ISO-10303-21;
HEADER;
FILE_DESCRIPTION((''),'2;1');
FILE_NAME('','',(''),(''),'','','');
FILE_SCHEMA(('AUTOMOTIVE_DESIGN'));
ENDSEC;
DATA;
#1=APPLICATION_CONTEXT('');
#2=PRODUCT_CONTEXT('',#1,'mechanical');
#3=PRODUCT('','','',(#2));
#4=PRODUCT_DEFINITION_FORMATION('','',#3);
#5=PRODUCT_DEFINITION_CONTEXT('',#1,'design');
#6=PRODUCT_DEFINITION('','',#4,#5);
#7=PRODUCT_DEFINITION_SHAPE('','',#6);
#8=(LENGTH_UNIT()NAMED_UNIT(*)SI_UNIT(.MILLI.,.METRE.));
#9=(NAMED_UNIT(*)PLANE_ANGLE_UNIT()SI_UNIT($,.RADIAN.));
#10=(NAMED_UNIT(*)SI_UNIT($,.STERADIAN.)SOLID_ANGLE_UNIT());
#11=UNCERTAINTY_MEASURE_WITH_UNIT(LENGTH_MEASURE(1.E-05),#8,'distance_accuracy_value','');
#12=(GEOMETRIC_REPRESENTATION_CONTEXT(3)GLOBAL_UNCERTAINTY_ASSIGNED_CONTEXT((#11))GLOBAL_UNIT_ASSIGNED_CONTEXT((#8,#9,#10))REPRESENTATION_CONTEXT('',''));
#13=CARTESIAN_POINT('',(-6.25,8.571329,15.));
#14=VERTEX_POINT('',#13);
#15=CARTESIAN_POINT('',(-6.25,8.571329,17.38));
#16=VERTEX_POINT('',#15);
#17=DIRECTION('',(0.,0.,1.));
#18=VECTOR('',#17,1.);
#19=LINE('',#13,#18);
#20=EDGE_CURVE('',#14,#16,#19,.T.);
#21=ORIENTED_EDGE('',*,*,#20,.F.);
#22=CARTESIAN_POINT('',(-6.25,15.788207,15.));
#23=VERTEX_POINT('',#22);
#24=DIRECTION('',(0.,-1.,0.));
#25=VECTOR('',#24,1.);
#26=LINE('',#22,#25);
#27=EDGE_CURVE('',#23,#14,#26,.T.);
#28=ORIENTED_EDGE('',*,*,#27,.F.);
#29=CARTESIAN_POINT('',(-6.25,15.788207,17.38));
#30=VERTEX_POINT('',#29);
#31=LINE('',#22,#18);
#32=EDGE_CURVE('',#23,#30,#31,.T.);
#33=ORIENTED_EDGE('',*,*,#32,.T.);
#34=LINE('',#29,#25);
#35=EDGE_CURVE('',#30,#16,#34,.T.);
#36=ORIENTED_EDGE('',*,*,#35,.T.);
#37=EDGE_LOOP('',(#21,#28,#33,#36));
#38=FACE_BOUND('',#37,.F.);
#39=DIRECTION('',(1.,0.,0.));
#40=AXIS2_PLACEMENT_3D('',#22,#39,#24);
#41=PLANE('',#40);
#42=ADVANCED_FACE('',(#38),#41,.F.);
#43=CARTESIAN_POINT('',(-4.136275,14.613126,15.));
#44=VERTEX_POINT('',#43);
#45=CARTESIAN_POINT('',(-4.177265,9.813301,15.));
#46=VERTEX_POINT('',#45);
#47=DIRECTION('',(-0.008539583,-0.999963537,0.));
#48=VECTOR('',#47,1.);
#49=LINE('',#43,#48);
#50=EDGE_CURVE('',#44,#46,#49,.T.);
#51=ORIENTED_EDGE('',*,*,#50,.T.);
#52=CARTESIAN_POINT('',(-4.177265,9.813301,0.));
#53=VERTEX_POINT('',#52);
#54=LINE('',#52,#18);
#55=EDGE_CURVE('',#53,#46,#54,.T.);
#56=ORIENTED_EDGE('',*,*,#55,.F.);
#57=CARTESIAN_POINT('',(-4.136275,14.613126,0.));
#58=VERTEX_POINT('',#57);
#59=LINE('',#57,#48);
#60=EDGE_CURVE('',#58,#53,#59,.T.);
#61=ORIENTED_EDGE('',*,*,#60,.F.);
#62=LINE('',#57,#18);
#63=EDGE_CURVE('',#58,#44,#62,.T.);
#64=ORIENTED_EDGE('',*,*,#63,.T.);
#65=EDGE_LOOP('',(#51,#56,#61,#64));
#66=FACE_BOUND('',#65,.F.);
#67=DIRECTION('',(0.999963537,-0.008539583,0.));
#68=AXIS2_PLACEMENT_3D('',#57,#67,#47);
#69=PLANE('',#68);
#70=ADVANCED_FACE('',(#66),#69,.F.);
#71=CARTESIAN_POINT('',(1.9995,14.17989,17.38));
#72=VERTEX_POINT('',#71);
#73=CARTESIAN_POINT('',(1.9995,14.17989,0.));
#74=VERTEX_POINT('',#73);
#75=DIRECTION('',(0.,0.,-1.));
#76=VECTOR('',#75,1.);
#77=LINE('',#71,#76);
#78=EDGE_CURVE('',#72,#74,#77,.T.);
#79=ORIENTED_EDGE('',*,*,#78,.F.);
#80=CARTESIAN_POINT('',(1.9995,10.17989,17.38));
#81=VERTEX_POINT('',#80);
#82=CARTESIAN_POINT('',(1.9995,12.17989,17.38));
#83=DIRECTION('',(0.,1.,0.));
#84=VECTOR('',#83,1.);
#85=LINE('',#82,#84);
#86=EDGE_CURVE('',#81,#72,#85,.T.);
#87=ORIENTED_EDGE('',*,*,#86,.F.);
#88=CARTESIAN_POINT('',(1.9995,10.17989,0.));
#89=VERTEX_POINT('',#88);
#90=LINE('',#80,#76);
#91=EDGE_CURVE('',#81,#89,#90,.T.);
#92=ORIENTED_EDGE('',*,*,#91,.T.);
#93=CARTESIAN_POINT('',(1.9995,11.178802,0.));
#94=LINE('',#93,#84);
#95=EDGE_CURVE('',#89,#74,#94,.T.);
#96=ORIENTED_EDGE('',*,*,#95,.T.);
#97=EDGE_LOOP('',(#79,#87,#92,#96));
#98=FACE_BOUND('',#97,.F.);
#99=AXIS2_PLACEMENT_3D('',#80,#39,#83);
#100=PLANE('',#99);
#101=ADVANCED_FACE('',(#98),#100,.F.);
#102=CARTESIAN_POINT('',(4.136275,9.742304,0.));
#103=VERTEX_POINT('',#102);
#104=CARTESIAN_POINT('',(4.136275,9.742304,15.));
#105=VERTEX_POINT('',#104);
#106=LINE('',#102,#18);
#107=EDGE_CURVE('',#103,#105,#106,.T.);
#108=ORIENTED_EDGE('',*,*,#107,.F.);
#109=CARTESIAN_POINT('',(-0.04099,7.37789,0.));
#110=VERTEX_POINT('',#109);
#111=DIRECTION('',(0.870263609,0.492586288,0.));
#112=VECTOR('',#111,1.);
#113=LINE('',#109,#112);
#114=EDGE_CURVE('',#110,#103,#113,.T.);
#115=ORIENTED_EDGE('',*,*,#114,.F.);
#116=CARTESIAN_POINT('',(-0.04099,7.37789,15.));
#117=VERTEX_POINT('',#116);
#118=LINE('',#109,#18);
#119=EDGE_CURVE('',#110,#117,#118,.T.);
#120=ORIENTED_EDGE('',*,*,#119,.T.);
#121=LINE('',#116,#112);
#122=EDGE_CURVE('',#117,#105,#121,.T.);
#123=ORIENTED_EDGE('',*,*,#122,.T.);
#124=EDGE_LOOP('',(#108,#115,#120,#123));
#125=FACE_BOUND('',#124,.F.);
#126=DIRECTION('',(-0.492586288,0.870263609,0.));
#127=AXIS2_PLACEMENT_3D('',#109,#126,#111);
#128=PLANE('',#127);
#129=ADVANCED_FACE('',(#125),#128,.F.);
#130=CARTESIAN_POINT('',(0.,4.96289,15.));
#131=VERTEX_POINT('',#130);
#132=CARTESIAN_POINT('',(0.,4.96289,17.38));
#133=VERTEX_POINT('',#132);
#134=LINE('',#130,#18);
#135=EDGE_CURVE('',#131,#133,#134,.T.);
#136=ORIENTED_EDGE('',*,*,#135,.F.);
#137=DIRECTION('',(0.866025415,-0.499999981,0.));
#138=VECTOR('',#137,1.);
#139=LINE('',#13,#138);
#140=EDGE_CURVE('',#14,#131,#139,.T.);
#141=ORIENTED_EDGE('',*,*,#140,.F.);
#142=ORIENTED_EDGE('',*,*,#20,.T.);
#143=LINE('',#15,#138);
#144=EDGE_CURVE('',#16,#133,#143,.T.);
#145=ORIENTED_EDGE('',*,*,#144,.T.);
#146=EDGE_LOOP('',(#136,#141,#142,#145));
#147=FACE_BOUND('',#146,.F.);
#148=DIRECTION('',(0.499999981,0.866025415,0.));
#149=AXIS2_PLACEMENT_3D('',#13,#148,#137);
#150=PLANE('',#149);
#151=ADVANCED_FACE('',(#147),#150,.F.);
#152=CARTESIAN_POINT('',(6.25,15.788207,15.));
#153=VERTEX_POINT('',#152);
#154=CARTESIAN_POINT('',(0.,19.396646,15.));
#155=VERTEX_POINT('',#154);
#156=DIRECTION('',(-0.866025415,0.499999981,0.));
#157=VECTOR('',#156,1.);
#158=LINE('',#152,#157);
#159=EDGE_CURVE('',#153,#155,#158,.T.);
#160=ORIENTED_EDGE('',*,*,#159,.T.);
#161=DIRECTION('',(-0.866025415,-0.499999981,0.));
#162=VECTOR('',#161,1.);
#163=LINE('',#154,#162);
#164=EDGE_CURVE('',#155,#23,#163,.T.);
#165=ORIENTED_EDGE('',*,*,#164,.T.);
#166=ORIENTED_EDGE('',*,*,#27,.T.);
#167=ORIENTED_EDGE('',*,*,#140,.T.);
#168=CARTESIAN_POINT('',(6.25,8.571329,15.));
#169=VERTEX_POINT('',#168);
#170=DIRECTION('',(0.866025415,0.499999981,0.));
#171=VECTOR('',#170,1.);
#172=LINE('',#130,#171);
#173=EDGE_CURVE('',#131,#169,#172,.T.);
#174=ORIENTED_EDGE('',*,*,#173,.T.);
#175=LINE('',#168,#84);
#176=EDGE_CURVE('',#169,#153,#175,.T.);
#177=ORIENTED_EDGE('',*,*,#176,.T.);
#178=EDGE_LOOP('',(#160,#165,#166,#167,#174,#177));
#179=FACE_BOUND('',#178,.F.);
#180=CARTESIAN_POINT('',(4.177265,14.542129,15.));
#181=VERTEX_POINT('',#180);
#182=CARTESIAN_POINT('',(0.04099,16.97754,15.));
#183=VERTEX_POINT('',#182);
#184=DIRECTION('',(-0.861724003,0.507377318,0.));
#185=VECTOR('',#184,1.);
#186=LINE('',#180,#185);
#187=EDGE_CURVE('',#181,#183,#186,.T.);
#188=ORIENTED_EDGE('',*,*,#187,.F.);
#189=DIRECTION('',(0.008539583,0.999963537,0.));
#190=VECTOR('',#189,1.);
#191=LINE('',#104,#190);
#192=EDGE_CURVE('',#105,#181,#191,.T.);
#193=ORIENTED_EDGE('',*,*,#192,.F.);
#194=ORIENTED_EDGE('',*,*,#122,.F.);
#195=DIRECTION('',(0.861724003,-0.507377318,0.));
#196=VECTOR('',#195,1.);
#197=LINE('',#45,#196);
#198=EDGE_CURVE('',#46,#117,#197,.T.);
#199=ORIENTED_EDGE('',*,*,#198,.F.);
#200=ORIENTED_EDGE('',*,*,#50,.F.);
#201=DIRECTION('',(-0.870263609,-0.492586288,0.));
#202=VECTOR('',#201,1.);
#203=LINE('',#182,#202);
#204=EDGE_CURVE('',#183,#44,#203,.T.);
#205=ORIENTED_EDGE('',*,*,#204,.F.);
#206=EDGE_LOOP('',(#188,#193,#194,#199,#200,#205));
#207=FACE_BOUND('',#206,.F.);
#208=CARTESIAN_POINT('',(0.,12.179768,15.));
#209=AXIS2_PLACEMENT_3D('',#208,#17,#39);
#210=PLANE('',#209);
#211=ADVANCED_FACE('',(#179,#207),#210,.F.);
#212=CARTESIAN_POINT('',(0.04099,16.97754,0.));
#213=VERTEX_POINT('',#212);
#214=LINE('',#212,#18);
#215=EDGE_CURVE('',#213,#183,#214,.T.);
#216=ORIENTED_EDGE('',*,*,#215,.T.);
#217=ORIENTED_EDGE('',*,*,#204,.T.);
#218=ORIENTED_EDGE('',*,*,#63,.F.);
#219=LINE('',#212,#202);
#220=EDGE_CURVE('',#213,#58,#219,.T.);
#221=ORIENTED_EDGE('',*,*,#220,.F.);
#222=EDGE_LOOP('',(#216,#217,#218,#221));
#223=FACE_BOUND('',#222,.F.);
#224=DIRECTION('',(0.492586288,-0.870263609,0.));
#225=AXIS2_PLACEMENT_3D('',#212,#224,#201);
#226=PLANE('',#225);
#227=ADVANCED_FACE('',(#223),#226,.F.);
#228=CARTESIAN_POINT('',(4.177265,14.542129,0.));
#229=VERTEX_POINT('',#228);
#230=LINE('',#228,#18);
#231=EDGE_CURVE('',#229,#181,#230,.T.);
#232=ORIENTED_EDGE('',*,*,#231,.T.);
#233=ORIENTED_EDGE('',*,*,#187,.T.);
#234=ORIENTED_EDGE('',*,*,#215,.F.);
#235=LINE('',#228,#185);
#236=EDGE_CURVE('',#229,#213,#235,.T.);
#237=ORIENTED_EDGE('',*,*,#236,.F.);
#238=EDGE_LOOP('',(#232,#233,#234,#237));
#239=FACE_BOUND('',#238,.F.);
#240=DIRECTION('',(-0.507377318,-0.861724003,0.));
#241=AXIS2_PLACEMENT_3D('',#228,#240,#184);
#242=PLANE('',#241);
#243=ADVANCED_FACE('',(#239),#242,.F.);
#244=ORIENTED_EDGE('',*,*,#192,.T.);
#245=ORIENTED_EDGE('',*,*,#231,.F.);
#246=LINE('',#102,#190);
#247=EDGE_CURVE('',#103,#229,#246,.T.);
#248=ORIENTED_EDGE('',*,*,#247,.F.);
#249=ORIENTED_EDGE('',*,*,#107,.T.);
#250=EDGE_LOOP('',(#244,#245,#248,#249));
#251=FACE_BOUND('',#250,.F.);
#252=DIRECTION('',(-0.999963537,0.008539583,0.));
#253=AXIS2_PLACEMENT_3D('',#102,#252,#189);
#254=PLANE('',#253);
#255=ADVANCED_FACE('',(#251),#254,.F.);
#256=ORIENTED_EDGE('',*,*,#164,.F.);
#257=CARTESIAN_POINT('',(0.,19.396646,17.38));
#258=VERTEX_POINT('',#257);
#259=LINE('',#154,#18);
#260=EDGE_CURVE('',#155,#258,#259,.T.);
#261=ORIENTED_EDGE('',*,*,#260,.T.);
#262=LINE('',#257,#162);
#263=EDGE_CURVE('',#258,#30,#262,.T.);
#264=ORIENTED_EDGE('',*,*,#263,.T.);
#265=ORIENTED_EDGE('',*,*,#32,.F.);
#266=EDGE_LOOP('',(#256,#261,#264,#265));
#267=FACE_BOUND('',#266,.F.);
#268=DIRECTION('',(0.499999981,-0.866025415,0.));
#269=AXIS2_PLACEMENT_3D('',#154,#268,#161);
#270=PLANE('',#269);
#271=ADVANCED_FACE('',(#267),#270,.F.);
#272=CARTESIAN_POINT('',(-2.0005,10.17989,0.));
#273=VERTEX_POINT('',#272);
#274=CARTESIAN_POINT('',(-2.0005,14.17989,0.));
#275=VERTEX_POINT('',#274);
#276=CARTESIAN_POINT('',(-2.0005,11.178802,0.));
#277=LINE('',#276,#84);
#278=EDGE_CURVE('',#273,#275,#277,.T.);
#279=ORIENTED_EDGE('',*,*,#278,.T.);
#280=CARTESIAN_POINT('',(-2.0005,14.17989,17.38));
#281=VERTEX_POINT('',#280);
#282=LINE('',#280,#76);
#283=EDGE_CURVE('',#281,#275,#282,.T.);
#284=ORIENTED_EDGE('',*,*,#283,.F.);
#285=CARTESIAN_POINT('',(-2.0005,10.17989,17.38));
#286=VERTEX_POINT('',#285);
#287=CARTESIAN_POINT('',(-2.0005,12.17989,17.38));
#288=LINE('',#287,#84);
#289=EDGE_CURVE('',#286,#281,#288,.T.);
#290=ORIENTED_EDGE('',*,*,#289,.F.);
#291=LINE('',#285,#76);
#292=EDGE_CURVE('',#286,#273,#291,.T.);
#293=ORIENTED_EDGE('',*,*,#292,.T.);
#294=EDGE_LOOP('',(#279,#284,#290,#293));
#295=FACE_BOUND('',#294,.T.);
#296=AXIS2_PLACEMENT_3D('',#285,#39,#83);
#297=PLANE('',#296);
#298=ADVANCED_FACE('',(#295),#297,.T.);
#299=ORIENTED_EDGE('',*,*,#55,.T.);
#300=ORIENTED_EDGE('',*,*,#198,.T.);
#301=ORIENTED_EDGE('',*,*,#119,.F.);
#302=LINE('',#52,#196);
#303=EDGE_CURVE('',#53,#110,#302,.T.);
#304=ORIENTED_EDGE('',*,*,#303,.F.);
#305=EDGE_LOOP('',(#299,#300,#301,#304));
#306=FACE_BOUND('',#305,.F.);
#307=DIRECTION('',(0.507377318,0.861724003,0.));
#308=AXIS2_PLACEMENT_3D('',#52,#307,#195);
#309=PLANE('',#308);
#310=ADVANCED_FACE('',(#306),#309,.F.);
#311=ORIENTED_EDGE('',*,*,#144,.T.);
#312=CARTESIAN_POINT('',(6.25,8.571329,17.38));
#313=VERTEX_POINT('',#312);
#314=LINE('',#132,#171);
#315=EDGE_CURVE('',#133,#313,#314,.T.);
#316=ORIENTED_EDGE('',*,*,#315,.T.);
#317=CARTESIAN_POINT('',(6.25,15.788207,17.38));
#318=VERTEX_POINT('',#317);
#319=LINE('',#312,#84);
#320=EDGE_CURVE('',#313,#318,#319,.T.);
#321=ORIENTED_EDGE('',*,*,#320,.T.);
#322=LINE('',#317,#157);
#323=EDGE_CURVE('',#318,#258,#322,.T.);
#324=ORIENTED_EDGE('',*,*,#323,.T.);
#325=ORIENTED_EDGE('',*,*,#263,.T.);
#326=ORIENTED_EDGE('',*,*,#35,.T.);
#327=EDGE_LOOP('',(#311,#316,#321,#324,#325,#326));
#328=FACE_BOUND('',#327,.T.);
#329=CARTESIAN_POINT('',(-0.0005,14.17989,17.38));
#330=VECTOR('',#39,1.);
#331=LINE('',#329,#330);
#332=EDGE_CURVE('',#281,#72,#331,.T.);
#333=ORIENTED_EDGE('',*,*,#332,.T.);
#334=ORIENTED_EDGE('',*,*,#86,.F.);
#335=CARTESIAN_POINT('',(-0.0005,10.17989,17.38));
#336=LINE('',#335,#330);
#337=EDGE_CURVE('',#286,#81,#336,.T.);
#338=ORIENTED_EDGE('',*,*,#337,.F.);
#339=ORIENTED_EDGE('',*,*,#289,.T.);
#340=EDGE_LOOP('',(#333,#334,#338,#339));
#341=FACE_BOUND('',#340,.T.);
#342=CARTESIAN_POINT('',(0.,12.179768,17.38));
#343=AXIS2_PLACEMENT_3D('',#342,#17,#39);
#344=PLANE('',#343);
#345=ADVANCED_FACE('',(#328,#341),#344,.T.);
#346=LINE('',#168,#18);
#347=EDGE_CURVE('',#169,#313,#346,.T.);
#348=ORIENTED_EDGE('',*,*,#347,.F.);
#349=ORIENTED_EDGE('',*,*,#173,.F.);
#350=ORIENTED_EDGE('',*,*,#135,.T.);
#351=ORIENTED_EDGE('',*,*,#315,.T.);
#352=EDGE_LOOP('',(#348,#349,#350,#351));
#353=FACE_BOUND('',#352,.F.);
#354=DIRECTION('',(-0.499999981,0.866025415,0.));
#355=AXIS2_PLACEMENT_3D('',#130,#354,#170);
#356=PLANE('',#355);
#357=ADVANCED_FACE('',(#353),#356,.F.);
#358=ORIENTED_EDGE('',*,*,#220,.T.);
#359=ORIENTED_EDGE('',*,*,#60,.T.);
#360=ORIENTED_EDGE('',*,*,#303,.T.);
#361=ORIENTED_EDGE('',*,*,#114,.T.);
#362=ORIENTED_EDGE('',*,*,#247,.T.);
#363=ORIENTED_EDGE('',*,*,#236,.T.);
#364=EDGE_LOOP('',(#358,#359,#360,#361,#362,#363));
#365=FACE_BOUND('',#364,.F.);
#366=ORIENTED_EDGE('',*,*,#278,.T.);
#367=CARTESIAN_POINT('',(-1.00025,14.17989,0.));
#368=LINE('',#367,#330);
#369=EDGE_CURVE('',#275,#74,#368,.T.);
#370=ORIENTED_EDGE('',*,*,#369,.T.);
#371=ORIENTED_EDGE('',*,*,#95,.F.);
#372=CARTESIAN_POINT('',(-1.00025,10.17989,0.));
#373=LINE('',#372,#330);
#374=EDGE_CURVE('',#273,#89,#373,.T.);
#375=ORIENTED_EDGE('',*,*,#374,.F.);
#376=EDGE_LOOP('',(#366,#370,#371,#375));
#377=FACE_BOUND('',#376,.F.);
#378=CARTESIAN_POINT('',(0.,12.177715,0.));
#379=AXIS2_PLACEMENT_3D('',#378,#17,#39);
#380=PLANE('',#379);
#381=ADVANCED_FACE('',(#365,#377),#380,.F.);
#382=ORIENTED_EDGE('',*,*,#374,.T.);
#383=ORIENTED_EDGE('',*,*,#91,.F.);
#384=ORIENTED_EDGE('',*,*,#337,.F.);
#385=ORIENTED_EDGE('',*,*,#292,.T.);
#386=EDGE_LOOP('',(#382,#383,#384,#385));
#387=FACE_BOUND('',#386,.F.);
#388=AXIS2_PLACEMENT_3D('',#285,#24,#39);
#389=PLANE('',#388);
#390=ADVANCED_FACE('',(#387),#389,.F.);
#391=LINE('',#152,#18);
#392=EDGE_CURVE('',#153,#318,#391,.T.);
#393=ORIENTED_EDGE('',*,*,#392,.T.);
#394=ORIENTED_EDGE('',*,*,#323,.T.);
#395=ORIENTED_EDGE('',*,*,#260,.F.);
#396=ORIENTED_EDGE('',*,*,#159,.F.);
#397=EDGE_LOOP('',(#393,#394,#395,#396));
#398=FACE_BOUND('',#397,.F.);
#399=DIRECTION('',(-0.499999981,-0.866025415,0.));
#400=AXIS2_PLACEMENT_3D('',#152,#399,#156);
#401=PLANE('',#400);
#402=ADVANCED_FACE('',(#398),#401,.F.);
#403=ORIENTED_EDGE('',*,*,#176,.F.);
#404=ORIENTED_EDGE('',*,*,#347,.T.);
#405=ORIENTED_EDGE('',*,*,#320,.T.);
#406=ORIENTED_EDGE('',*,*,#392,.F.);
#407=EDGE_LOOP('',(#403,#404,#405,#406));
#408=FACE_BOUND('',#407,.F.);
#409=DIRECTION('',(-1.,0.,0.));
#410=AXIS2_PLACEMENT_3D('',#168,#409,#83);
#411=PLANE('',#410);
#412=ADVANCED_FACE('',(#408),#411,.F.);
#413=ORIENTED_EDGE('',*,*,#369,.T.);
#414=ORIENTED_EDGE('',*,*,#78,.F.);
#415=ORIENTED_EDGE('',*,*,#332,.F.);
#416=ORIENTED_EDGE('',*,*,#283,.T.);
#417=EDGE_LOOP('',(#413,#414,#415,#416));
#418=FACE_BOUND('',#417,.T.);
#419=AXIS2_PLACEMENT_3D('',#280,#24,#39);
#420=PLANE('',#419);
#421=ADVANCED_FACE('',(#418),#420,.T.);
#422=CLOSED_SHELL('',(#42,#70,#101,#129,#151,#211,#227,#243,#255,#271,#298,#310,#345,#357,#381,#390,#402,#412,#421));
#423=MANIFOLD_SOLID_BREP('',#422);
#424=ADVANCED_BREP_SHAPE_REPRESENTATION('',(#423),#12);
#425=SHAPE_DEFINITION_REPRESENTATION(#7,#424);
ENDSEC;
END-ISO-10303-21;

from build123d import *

# Parameters (mm, degrees)
F1_DEPTH = 15
F3_DEPTH = 2.38
F4_W     = 4
F4_H     = 4
F5_DEPTH = 18


with BuildPart() as f1:
    # F0 (on Top) → F1 (new body)
    with BuildSketch(Plane.XY):
        Polygon((-0.04099, 7.37789), (4.136275, 9.742304), (4.177265, 14.542129), (0.04099, 16.97754), (-4.136275, 14.613126), (-4.177265, 9.813301), align=None)
    extrude(amount=F1_DEPTH)

    # F2 (on face) → F3 (join)
    with BuildSketch(Plane.XY.offset(15)):
        Polygon((6.25, 15.788207), (0, 19.396646), (-6.25, 15.788207), (-6.25, 8.571329), (0, 4.96289), (6.25, 8.571329), align=None)
    extrude(amount=F3_DEPTH)

    # F4 (on face) → F5 (cut)
    with BuildSketch(Plane.XY.offset(17.38)):
        with Locations((-0.0005, 12.17989)):
            Rectangle(F4_W, F4_H)
    extrude(amount=-F5_DEPTH, mode=Mode.SUBTRACT)


solid = f1.part
